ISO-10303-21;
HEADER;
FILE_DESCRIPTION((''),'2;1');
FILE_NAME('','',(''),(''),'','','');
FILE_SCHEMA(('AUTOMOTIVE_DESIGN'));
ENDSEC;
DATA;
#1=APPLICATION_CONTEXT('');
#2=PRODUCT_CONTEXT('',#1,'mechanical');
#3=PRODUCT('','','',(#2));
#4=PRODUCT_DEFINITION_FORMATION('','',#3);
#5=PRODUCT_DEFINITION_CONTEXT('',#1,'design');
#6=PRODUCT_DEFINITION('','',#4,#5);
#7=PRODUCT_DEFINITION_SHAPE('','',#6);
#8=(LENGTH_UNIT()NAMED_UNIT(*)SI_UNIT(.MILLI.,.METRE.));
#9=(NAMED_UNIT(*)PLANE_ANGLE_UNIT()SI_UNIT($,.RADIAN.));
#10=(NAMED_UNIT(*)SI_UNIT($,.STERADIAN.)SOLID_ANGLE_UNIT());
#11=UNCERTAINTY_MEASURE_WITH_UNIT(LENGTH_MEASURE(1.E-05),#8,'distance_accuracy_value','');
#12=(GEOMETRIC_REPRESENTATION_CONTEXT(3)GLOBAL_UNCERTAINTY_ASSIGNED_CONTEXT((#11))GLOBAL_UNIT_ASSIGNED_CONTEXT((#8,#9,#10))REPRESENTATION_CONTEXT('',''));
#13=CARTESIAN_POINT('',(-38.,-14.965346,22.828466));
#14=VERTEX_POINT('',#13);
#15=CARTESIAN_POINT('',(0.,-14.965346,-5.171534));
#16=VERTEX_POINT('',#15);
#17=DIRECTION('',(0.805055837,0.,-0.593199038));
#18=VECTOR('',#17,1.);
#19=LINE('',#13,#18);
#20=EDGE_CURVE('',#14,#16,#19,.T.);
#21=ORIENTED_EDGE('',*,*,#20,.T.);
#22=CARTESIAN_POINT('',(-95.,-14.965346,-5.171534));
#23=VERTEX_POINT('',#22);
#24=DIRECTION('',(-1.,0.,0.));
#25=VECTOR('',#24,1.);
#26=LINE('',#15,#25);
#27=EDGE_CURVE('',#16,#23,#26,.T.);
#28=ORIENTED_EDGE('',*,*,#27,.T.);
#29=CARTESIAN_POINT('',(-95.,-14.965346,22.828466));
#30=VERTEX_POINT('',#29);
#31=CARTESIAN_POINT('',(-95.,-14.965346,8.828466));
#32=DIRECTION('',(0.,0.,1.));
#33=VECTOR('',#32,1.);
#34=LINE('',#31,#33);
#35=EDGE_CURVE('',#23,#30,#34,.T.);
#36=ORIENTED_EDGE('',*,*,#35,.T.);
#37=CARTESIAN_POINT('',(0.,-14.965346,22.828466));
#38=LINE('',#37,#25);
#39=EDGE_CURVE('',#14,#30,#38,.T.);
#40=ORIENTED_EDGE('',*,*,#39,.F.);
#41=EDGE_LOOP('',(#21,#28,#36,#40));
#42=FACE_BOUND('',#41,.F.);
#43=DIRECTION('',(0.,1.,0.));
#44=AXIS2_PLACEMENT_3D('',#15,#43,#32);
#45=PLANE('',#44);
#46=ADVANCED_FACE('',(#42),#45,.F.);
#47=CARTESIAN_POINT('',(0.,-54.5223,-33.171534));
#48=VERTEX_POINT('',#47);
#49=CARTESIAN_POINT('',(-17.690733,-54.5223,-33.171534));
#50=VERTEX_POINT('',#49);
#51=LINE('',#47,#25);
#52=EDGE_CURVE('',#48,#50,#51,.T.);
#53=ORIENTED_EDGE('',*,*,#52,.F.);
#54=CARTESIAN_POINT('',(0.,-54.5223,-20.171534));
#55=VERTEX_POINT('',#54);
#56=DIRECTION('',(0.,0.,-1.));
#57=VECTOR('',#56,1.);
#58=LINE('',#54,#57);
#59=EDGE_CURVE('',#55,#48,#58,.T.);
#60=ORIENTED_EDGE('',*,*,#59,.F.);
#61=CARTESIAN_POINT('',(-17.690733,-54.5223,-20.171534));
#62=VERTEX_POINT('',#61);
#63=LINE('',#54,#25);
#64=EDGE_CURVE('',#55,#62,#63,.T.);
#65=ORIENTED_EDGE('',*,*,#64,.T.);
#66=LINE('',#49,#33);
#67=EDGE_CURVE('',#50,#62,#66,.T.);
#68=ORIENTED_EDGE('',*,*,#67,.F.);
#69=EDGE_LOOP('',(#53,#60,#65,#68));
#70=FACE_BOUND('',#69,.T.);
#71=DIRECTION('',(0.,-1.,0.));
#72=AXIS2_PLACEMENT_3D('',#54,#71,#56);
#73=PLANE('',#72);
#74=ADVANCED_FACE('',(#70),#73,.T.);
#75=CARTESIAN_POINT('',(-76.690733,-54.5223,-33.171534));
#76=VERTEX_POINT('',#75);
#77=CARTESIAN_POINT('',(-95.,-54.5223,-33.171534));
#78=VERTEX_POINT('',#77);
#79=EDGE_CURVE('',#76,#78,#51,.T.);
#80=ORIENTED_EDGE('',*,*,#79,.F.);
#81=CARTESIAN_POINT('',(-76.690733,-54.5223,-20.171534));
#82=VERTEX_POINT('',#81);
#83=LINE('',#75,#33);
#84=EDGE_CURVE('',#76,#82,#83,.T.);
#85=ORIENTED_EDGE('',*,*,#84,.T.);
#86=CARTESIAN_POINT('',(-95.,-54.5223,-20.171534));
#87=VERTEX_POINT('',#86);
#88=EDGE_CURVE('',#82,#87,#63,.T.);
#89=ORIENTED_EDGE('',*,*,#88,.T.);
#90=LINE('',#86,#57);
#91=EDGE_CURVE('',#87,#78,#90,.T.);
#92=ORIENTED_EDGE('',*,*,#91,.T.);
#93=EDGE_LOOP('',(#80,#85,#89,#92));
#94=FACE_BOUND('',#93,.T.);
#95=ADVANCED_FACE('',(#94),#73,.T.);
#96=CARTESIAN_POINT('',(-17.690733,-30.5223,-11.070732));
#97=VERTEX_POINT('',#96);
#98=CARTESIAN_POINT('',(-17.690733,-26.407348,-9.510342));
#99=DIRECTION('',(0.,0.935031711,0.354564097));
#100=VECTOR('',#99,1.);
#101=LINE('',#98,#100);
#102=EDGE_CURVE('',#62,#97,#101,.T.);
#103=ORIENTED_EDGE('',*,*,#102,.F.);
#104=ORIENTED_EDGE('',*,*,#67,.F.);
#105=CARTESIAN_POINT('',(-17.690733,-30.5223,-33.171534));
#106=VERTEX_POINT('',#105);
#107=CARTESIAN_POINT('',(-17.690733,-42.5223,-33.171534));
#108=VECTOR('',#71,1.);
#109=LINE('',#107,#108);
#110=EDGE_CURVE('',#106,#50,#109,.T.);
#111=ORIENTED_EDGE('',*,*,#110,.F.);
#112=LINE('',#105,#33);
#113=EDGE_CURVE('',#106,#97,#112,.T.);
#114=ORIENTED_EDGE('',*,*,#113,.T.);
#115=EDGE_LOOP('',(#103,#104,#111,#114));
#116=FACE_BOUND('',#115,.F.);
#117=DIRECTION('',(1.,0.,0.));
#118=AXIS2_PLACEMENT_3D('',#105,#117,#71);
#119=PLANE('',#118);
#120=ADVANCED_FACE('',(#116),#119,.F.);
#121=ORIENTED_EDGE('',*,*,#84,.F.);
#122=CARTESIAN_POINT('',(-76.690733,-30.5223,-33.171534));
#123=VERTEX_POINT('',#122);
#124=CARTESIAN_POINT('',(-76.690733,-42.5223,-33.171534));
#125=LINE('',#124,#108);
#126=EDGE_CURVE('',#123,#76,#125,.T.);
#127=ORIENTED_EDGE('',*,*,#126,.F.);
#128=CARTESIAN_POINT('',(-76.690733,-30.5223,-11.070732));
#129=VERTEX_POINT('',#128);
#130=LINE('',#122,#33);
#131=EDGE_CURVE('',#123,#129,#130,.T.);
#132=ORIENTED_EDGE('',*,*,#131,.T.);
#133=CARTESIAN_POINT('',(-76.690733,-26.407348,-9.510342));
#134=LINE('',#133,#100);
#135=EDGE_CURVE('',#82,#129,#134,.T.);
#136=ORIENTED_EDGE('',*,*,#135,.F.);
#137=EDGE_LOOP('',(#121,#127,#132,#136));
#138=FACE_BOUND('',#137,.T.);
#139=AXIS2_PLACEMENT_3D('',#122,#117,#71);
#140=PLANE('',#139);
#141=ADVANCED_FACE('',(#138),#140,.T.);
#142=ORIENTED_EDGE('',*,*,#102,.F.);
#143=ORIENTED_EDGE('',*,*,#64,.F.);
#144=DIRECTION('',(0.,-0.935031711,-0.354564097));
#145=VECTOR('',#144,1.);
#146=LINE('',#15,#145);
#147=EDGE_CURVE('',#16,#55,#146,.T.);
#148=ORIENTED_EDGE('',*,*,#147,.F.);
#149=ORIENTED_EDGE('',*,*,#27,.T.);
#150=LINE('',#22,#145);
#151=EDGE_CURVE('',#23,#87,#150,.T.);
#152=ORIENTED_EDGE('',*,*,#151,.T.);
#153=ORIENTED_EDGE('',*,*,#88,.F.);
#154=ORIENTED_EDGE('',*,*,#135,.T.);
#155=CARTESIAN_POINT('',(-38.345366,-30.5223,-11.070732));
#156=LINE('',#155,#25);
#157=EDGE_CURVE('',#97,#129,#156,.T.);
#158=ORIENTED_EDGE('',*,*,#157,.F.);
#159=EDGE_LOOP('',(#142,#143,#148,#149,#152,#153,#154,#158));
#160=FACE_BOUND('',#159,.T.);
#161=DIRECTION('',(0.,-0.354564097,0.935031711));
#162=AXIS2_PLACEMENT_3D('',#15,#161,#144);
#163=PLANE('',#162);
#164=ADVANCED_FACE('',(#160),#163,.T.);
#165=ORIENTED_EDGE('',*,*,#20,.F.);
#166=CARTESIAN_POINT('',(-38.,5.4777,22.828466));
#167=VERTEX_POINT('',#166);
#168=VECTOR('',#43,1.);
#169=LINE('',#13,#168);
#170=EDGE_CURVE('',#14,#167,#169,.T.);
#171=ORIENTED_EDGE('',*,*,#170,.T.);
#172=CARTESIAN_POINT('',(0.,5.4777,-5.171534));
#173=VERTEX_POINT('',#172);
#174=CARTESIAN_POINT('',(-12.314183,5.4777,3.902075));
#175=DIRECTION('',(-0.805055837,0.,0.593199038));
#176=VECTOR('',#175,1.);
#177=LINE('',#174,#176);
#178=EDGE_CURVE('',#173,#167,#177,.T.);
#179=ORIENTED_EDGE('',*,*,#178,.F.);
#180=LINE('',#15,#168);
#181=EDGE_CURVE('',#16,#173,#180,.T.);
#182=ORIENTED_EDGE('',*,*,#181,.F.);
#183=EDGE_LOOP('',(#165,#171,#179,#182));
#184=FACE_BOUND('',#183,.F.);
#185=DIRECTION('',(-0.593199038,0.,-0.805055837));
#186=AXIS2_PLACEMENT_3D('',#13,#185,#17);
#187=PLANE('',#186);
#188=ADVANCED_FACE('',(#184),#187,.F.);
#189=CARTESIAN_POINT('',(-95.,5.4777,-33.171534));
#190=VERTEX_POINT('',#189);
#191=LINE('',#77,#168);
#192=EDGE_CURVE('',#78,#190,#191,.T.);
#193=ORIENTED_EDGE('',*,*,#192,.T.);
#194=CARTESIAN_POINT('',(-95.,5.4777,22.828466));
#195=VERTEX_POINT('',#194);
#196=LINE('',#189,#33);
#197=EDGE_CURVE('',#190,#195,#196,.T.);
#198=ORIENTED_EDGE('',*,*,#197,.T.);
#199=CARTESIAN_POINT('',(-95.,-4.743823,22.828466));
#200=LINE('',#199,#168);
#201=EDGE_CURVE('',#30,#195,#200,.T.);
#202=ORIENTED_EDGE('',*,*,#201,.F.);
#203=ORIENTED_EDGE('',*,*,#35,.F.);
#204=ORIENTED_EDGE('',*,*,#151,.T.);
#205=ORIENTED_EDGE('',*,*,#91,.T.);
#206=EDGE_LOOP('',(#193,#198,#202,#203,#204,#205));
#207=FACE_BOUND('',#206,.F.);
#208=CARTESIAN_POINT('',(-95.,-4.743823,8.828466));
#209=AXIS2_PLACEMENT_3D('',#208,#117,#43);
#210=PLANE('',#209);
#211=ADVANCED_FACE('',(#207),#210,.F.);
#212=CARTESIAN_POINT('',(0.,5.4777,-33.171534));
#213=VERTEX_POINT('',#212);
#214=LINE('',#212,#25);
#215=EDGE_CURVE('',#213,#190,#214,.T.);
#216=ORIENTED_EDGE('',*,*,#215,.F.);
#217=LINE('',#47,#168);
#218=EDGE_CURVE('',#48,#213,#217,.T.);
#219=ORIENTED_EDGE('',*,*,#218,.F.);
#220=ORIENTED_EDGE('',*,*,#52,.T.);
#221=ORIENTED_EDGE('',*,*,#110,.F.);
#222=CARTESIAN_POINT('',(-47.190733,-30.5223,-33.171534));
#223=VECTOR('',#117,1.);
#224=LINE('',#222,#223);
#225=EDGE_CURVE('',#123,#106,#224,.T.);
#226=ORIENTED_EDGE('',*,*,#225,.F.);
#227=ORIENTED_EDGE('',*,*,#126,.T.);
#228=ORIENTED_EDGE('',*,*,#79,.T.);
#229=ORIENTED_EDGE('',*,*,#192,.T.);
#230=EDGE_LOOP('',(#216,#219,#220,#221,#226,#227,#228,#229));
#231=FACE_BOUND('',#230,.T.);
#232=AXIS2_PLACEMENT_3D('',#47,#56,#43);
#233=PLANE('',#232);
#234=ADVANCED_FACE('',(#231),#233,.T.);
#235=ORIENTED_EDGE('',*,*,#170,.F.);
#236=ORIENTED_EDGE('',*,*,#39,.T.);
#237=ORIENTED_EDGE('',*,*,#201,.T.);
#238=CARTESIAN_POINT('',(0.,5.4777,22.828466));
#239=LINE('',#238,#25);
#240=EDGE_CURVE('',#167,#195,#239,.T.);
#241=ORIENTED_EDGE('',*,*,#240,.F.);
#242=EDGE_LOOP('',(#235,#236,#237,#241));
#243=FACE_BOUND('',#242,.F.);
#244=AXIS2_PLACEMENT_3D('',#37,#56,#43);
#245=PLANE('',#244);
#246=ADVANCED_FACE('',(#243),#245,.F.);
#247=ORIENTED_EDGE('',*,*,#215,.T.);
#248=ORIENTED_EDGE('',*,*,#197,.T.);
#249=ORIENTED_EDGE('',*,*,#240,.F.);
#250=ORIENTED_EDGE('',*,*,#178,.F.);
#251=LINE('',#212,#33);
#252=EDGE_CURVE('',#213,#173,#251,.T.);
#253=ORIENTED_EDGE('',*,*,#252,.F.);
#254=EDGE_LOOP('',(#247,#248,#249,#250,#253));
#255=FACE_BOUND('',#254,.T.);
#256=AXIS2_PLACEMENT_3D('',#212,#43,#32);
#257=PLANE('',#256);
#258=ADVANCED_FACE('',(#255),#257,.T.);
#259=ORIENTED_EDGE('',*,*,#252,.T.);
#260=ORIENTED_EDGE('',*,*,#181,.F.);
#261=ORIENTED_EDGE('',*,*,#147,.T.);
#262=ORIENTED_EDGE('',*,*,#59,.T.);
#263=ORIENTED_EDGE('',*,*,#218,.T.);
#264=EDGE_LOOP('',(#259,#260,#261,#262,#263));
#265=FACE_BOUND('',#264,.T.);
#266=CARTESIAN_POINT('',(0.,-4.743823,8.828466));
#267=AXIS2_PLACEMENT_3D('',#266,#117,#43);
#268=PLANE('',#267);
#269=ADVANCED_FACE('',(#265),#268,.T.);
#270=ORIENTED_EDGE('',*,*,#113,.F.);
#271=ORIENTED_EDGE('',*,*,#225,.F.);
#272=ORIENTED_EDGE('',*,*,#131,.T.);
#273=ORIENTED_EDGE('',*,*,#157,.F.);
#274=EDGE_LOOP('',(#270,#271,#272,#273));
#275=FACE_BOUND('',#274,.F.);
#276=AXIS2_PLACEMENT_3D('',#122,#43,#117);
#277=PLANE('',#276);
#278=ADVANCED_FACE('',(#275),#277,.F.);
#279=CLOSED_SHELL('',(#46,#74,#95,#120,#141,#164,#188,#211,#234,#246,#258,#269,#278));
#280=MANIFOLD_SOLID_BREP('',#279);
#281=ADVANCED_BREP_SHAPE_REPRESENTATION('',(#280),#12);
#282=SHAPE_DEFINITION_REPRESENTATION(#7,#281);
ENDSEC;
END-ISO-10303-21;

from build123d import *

# Parameters (mm, degrees)
F0_W     = 20.443046
F0_H     = 28
F1_DEPTH = 95
F3_DEPTH = 25
F4_W     = 59
F4_H     = 24
F5_DEPTH = 25


with BuildPart() as f1:
    # F0 (on Right) → F1 (new body)
    with BuildSketch(Plane.YZ):
        with Locations((-4.743823, 8.828466)):
            Rectangle(F0_W, F0_H)
        Polygon((-54.5223, -20.171534), (-54.5223, -33.171534), (5.4777, -33.171534), (5.4777, -5.171534), (-14.965346, -5.171534), align=None)
    extrude(amount=-F1_DEPTH)

    # F2 (on face) → F3 (cut)
    with BuildSketch(Plane.XZ.offset(14.965346)):
        Polygon((0, 22.828466), (-38, 22.828466), (0, -5.171534), align=None)
    extrude(amount=-F3_DEPTH, mode=Mode.SUBTRACT)

    # F4 (on face) → F5 (cut)
    with BuildSketch(Plane(origin=(0, 0, -33.171534), x_dir=(1, 0, 0), z_dir=(0, 0, -1))):
        with Locations((-47.190733, 42.5223)):
            Rectangle(F4_W, F4_H)
    extrude(amount=-F5_DEPTH, mode=Mode.SUBTRACT)


solid = f1.part
